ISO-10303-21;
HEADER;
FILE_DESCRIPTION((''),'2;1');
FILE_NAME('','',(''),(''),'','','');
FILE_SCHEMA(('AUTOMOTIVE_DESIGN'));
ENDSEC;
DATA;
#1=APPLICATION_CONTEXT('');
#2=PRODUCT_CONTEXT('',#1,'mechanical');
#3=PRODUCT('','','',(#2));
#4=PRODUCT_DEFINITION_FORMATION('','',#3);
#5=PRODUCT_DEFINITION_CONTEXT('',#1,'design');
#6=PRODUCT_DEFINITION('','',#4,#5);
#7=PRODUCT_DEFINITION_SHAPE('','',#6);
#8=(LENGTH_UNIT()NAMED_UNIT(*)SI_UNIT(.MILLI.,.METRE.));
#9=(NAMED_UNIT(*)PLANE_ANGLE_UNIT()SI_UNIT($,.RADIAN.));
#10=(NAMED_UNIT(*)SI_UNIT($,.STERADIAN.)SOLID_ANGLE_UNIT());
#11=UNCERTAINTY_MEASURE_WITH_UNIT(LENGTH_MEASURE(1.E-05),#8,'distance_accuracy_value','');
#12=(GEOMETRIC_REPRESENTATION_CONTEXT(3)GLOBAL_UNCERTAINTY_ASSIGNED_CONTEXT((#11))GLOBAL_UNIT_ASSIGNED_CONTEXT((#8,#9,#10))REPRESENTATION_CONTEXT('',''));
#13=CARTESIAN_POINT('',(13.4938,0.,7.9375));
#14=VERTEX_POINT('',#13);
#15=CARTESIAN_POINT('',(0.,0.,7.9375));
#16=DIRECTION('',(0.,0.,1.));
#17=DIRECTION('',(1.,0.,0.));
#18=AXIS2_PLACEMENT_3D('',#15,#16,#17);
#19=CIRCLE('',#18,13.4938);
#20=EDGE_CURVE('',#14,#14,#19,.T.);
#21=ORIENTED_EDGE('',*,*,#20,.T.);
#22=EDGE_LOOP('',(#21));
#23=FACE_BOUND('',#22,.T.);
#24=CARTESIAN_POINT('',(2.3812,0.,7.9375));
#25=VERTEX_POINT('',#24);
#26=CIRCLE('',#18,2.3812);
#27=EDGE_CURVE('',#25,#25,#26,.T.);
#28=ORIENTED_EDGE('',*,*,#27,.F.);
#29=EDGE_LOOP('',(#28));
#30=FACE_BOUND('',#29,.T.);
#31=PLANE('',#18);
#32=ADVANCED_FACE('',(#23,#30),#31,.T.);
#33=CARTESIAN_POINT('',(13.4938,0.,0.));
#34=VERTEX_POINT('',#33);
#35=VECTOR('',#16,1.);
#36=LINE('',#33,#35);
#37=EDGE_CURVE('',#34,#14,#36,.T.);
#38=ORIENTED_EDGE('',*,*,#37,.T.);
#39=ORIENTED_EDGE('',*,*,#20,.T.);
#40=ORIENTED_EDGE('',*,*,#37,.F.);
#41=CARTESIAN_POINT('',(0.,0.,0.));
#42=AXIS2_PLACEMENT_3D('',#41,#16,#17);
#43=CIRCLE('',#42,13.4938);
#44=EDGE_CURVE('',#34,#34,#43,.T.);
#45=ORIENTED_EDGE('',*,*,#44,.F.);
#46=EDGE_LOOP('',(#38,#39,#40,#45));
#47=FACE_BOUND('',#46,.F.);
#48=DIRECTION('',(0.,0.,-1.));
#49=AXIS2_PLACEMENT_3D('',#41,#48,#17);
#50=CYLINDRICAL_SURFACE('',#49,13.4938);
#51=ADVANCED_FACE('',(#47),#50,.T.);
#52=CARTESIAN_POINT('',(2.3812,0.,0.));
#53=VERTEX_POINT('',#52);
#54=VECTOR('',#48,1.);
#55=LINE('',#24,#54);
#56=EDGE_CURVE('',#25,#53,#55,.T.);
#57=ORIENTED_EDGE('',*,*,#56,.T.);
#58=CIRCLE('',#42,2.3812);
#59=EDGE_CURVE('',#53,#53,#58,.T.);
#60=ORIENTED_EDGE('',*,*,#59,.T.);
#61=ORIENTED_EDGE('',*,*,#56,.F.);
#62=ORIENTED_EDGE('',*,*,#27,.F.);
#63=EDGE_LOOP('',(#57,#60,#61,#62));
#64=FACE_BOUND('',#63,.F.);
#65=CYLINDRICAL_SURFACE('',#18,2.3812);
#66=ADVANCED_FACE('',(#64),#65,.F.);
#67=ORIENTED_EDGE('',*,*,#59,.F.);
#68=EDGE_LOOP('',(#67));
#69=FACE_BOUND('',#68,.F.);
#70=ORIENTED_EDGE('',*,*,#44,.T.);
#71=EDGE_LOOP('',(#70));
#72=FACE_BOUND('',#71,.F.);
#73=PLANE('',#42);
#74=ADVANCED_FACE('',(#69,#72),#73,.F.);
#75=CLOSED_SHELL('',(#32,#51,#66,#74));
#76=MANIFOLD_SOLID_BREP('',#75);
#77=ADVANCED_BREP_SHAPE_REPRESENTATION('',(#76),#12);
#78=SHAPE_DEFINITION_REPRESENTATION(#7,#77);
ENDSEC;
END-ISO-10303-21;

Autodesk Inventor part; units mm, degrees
ref_plane "YZ Plane" through (0, 0, 0) normal (1, 0, 0) x (0, 1, 0)
ref_plane "XZ Plane" through (0, 0, 0) normal (0, 1, 0) x (-1, 0, 0)
ref_plane "XY Plane" through (0, 0, 0) normal (0, 0, 1) x (1, 0, 0)
sketch "Sketch1" plane through (0, 0, 0) normal (0, 0, 1) x (1, 0, 0)
  circle A0 centre (0, 0) radius 13.4938
  dimension "d0" = 26.9875
extrude "Extrusion1" add sketch "Sketch1" along normal blind 7.9375
sketch "Sketch2" plane through (0, 0, 7.9375) normal (0, 0, 1) x (1, 0, 0)
  circle A0 centre (0, 0) radius 13.4938 projected
  circle A1 centre (0, 0) radius 2.3812
  dimension "d4" = 4.7625
extrude "Extrusion2" cut sketch "Sketch2" against normal blind 25.4 contours A1
properties part number "small pulley" material "Steel"
